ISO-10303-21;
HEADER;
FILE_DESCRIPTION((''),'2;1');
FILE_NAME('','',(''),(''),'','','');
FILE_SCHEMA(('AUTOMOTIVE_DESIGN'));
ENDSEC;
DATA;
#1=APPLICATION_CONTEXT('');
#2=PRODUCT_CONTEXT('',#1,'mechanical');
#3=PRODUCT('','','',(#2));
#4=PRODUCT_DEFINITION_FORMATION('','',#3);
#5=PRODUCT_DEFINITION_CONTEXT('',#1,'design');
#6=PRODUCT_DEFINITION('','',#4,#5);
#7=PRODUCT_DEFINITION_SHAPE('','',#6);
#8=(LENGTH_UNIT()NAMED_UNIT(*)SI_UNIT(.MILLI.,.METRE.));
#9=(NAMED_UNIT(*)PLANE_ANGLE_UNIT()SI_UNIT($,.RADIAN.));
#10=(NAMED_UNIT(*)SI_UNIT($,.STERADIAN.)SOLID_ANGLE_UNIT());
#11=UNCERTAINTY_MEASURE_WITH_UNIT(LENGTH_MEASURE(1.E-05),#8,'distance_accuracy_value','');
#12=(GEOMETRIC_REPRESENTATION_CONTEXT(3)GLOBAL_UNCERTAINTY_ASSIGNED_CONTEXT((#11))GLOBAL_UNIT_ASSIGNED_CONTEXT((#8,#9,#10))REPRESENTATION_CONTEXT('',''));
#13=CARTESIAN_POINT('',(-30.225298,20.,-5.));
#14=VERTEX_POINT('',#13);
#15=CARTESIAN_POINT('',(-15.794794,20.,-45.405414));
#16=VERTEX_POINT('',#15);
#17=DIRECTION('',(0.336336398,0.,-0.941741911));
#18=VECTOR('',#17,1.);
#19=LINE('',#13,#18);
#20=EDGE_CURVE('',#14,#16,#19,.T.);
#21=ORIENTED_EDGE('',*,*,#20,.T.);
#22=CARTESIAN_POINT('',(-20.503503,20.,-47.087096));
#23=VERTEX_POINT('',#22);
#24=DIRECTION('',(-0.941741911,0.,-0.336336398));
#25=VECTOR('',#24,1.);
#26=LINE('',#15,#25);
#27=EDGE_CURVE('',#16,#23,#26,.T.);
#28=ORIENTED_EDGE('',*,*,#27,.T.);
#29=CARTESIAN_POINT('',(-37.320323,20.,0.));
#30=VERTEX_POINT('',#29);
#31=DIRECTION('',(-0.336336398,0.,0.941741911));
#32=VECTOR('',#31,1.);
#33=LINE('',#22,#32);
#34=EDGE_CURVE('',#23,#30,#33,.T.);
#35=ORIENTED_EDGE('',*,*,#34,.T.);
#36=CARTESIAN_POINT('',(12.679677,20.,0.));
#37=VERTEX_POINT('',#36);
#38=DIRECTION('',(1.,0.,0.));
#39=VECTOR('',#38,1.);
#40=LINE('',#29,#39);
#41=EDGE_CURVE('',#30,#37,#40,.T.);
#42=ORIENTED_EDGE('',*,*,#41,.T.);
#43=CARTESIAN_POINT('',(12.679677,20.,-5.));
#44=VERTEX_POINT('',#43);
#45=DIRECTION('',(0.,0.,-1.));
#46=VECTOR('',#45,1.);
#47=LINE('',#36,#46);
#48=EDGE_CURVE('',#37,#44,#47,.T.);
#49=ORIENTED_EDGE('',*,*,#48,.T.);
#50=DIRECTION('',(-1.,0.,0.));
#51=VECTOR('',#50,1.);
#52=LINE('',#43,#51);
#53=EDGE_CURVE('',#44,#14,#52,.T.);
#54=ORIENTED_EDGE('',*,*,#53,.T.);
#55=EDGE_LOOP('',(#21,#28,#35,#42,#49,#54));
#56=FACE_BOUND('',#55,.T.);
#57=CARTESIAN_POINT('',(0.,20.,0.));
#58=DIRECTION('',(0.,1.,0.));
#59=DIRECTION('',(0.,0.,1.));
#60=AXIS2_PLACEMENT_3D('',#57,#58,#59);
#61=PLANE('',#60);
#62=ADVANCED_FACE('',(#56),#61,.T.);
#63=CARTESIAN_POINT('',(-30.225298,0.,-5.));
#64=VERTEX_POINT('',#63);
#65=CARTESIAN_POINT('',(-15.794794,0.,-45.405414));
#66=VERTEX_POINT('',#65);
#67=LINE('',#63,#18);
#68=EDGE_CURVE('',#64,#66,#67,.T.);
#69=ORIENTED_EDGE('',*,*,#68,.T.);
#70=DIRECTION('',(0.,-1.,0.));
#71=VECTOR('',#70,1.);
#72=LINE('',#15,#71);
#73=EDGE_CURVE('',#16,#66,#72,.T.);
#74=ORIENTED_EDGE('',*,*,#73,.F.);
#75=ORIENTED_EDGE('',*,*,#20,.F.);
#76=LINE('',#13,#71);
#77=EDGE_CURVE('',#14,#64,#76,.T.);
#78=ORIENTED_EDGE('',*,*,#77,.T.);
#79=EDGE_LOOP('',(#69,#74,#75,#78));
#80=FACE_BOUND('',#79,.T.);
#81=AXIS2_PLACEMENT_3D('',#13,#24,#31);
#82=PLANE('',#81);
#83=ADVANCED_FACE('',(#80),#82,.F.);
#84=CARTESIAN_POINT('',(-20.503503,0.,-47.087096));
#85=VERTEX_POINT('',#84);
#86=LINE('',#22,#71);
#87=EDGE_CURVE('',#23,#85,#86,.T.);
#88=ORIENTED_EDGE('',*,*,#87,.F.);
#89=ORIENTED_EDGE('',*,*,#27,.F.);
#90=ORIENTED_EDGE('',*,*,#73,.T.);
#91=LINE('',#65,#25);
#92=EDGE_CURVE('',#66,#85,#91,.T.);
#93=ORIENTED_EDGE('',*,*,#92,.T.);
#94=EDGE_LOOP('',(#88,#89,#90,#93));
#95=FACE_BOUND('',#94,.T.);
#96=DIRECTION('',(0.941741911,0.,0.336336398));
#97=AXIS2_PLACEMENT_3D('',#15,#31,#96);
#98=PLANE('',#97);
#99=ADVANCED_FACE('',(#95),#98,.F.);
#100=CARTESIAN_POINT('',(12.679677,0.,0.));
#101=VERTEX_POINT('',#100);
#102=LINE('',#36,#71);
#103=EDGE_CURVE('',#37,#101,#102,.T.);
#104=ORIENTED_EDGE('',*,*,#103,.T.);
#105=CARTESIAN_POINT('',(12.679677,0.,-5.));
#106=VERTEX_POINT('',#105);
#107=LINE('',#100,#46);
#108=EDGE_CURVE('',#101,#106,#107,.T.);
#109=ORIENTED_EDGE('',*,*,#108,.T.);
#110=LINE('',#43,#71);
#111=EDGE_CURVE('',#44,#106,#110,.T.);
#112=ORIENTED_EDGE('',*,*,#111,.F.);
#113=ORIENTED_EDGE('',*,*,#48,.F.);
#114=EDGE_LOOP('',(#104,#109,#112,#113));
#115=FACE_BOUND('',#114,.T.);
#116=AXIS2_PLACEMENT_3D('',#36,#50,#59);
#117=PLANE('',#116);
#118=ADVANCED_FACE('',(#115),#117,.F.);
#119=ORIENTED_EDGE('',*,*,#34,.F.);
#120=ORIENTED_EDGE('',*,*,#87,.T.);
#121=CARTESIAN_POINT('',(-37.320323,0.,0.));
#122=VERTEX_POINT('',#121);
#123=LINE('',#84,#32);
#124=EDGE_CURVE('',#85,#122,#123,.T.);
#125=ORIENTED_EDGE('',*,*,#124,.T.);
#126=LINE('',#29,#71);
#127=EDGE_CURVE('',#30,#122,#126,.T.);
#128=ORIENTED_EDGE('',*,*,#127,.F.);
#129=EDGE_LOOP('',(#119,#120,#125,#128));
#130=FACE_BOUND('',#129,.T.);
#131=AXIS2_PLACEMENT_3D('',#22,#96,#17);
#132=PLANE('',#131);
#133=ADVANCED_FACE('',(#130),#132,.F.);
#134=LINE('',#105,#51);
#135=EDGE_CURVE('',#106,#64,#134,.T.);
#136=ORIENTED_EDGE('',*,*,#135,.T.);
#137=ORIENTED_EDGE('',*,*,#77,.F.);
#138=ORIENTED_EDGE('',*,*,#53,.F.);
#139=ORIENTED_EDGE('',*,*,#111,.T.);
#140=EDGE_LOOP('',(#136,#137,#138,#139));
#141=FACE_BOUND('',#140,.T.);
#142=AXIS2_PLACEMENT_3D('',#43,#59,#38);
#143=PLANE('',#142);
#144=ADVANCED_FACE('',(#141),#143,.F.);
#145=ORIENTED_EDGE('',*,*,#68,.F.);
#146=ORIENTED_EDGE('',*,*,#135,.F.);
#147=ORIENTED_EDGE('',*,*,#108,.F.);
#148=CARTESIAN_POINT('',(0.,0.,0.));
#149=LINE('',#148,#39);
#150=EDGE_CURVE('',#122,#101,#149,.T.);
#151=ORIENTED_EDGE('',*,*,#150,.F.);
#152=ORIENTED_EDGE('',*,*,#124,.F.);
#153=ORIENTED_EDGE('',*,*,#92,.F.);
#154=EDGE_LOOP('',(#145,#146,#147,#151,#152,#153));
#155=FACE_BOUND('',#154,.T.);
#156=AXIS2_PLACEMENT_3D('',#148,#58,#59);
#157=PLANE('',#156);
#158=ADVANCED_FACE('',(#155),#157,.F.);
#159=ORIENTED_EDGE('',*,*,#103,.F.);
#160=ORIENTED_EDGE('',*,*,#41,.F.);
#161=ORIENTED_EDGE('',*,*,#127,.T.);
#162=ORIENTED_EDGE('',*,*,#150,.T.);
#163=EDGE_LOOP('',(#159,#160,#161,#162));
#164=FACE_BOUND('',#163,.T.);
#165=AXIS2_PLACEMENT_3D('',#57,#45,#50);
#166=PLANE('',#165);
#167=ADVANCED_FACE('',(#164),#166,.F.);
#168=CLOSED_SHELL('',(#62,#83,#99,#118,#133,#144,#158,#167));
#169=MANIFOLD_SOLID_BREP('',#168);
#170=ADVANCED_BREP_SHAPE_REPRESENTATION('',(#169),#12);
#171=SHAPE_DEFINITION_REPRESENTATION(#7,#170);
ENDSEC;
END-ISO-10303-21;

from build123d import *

# Parameters (mm, degrees)
BOSS_EXTRUDE1_DEPTH = 20


with BuildPart() as part:
    # Sketch1 → Boss-Extrude1 (new body)
    with BuildSketch(Plane(origin=(0, 0, 0), x_dir=(1, 0, 0), z_dir=(0, 1, 0))):
        Polygon((0, 0), (12.679677005, 0), (12.679677005, 5), (-30.225298437, 5), (-15.794793554, 45.405413579), (-20.503503111, 47.087095567), (-37.320322995, 0), align=None)
    extrude(amount=BOSS_EXTRUDE1_DEPTH)


solid = part.part
